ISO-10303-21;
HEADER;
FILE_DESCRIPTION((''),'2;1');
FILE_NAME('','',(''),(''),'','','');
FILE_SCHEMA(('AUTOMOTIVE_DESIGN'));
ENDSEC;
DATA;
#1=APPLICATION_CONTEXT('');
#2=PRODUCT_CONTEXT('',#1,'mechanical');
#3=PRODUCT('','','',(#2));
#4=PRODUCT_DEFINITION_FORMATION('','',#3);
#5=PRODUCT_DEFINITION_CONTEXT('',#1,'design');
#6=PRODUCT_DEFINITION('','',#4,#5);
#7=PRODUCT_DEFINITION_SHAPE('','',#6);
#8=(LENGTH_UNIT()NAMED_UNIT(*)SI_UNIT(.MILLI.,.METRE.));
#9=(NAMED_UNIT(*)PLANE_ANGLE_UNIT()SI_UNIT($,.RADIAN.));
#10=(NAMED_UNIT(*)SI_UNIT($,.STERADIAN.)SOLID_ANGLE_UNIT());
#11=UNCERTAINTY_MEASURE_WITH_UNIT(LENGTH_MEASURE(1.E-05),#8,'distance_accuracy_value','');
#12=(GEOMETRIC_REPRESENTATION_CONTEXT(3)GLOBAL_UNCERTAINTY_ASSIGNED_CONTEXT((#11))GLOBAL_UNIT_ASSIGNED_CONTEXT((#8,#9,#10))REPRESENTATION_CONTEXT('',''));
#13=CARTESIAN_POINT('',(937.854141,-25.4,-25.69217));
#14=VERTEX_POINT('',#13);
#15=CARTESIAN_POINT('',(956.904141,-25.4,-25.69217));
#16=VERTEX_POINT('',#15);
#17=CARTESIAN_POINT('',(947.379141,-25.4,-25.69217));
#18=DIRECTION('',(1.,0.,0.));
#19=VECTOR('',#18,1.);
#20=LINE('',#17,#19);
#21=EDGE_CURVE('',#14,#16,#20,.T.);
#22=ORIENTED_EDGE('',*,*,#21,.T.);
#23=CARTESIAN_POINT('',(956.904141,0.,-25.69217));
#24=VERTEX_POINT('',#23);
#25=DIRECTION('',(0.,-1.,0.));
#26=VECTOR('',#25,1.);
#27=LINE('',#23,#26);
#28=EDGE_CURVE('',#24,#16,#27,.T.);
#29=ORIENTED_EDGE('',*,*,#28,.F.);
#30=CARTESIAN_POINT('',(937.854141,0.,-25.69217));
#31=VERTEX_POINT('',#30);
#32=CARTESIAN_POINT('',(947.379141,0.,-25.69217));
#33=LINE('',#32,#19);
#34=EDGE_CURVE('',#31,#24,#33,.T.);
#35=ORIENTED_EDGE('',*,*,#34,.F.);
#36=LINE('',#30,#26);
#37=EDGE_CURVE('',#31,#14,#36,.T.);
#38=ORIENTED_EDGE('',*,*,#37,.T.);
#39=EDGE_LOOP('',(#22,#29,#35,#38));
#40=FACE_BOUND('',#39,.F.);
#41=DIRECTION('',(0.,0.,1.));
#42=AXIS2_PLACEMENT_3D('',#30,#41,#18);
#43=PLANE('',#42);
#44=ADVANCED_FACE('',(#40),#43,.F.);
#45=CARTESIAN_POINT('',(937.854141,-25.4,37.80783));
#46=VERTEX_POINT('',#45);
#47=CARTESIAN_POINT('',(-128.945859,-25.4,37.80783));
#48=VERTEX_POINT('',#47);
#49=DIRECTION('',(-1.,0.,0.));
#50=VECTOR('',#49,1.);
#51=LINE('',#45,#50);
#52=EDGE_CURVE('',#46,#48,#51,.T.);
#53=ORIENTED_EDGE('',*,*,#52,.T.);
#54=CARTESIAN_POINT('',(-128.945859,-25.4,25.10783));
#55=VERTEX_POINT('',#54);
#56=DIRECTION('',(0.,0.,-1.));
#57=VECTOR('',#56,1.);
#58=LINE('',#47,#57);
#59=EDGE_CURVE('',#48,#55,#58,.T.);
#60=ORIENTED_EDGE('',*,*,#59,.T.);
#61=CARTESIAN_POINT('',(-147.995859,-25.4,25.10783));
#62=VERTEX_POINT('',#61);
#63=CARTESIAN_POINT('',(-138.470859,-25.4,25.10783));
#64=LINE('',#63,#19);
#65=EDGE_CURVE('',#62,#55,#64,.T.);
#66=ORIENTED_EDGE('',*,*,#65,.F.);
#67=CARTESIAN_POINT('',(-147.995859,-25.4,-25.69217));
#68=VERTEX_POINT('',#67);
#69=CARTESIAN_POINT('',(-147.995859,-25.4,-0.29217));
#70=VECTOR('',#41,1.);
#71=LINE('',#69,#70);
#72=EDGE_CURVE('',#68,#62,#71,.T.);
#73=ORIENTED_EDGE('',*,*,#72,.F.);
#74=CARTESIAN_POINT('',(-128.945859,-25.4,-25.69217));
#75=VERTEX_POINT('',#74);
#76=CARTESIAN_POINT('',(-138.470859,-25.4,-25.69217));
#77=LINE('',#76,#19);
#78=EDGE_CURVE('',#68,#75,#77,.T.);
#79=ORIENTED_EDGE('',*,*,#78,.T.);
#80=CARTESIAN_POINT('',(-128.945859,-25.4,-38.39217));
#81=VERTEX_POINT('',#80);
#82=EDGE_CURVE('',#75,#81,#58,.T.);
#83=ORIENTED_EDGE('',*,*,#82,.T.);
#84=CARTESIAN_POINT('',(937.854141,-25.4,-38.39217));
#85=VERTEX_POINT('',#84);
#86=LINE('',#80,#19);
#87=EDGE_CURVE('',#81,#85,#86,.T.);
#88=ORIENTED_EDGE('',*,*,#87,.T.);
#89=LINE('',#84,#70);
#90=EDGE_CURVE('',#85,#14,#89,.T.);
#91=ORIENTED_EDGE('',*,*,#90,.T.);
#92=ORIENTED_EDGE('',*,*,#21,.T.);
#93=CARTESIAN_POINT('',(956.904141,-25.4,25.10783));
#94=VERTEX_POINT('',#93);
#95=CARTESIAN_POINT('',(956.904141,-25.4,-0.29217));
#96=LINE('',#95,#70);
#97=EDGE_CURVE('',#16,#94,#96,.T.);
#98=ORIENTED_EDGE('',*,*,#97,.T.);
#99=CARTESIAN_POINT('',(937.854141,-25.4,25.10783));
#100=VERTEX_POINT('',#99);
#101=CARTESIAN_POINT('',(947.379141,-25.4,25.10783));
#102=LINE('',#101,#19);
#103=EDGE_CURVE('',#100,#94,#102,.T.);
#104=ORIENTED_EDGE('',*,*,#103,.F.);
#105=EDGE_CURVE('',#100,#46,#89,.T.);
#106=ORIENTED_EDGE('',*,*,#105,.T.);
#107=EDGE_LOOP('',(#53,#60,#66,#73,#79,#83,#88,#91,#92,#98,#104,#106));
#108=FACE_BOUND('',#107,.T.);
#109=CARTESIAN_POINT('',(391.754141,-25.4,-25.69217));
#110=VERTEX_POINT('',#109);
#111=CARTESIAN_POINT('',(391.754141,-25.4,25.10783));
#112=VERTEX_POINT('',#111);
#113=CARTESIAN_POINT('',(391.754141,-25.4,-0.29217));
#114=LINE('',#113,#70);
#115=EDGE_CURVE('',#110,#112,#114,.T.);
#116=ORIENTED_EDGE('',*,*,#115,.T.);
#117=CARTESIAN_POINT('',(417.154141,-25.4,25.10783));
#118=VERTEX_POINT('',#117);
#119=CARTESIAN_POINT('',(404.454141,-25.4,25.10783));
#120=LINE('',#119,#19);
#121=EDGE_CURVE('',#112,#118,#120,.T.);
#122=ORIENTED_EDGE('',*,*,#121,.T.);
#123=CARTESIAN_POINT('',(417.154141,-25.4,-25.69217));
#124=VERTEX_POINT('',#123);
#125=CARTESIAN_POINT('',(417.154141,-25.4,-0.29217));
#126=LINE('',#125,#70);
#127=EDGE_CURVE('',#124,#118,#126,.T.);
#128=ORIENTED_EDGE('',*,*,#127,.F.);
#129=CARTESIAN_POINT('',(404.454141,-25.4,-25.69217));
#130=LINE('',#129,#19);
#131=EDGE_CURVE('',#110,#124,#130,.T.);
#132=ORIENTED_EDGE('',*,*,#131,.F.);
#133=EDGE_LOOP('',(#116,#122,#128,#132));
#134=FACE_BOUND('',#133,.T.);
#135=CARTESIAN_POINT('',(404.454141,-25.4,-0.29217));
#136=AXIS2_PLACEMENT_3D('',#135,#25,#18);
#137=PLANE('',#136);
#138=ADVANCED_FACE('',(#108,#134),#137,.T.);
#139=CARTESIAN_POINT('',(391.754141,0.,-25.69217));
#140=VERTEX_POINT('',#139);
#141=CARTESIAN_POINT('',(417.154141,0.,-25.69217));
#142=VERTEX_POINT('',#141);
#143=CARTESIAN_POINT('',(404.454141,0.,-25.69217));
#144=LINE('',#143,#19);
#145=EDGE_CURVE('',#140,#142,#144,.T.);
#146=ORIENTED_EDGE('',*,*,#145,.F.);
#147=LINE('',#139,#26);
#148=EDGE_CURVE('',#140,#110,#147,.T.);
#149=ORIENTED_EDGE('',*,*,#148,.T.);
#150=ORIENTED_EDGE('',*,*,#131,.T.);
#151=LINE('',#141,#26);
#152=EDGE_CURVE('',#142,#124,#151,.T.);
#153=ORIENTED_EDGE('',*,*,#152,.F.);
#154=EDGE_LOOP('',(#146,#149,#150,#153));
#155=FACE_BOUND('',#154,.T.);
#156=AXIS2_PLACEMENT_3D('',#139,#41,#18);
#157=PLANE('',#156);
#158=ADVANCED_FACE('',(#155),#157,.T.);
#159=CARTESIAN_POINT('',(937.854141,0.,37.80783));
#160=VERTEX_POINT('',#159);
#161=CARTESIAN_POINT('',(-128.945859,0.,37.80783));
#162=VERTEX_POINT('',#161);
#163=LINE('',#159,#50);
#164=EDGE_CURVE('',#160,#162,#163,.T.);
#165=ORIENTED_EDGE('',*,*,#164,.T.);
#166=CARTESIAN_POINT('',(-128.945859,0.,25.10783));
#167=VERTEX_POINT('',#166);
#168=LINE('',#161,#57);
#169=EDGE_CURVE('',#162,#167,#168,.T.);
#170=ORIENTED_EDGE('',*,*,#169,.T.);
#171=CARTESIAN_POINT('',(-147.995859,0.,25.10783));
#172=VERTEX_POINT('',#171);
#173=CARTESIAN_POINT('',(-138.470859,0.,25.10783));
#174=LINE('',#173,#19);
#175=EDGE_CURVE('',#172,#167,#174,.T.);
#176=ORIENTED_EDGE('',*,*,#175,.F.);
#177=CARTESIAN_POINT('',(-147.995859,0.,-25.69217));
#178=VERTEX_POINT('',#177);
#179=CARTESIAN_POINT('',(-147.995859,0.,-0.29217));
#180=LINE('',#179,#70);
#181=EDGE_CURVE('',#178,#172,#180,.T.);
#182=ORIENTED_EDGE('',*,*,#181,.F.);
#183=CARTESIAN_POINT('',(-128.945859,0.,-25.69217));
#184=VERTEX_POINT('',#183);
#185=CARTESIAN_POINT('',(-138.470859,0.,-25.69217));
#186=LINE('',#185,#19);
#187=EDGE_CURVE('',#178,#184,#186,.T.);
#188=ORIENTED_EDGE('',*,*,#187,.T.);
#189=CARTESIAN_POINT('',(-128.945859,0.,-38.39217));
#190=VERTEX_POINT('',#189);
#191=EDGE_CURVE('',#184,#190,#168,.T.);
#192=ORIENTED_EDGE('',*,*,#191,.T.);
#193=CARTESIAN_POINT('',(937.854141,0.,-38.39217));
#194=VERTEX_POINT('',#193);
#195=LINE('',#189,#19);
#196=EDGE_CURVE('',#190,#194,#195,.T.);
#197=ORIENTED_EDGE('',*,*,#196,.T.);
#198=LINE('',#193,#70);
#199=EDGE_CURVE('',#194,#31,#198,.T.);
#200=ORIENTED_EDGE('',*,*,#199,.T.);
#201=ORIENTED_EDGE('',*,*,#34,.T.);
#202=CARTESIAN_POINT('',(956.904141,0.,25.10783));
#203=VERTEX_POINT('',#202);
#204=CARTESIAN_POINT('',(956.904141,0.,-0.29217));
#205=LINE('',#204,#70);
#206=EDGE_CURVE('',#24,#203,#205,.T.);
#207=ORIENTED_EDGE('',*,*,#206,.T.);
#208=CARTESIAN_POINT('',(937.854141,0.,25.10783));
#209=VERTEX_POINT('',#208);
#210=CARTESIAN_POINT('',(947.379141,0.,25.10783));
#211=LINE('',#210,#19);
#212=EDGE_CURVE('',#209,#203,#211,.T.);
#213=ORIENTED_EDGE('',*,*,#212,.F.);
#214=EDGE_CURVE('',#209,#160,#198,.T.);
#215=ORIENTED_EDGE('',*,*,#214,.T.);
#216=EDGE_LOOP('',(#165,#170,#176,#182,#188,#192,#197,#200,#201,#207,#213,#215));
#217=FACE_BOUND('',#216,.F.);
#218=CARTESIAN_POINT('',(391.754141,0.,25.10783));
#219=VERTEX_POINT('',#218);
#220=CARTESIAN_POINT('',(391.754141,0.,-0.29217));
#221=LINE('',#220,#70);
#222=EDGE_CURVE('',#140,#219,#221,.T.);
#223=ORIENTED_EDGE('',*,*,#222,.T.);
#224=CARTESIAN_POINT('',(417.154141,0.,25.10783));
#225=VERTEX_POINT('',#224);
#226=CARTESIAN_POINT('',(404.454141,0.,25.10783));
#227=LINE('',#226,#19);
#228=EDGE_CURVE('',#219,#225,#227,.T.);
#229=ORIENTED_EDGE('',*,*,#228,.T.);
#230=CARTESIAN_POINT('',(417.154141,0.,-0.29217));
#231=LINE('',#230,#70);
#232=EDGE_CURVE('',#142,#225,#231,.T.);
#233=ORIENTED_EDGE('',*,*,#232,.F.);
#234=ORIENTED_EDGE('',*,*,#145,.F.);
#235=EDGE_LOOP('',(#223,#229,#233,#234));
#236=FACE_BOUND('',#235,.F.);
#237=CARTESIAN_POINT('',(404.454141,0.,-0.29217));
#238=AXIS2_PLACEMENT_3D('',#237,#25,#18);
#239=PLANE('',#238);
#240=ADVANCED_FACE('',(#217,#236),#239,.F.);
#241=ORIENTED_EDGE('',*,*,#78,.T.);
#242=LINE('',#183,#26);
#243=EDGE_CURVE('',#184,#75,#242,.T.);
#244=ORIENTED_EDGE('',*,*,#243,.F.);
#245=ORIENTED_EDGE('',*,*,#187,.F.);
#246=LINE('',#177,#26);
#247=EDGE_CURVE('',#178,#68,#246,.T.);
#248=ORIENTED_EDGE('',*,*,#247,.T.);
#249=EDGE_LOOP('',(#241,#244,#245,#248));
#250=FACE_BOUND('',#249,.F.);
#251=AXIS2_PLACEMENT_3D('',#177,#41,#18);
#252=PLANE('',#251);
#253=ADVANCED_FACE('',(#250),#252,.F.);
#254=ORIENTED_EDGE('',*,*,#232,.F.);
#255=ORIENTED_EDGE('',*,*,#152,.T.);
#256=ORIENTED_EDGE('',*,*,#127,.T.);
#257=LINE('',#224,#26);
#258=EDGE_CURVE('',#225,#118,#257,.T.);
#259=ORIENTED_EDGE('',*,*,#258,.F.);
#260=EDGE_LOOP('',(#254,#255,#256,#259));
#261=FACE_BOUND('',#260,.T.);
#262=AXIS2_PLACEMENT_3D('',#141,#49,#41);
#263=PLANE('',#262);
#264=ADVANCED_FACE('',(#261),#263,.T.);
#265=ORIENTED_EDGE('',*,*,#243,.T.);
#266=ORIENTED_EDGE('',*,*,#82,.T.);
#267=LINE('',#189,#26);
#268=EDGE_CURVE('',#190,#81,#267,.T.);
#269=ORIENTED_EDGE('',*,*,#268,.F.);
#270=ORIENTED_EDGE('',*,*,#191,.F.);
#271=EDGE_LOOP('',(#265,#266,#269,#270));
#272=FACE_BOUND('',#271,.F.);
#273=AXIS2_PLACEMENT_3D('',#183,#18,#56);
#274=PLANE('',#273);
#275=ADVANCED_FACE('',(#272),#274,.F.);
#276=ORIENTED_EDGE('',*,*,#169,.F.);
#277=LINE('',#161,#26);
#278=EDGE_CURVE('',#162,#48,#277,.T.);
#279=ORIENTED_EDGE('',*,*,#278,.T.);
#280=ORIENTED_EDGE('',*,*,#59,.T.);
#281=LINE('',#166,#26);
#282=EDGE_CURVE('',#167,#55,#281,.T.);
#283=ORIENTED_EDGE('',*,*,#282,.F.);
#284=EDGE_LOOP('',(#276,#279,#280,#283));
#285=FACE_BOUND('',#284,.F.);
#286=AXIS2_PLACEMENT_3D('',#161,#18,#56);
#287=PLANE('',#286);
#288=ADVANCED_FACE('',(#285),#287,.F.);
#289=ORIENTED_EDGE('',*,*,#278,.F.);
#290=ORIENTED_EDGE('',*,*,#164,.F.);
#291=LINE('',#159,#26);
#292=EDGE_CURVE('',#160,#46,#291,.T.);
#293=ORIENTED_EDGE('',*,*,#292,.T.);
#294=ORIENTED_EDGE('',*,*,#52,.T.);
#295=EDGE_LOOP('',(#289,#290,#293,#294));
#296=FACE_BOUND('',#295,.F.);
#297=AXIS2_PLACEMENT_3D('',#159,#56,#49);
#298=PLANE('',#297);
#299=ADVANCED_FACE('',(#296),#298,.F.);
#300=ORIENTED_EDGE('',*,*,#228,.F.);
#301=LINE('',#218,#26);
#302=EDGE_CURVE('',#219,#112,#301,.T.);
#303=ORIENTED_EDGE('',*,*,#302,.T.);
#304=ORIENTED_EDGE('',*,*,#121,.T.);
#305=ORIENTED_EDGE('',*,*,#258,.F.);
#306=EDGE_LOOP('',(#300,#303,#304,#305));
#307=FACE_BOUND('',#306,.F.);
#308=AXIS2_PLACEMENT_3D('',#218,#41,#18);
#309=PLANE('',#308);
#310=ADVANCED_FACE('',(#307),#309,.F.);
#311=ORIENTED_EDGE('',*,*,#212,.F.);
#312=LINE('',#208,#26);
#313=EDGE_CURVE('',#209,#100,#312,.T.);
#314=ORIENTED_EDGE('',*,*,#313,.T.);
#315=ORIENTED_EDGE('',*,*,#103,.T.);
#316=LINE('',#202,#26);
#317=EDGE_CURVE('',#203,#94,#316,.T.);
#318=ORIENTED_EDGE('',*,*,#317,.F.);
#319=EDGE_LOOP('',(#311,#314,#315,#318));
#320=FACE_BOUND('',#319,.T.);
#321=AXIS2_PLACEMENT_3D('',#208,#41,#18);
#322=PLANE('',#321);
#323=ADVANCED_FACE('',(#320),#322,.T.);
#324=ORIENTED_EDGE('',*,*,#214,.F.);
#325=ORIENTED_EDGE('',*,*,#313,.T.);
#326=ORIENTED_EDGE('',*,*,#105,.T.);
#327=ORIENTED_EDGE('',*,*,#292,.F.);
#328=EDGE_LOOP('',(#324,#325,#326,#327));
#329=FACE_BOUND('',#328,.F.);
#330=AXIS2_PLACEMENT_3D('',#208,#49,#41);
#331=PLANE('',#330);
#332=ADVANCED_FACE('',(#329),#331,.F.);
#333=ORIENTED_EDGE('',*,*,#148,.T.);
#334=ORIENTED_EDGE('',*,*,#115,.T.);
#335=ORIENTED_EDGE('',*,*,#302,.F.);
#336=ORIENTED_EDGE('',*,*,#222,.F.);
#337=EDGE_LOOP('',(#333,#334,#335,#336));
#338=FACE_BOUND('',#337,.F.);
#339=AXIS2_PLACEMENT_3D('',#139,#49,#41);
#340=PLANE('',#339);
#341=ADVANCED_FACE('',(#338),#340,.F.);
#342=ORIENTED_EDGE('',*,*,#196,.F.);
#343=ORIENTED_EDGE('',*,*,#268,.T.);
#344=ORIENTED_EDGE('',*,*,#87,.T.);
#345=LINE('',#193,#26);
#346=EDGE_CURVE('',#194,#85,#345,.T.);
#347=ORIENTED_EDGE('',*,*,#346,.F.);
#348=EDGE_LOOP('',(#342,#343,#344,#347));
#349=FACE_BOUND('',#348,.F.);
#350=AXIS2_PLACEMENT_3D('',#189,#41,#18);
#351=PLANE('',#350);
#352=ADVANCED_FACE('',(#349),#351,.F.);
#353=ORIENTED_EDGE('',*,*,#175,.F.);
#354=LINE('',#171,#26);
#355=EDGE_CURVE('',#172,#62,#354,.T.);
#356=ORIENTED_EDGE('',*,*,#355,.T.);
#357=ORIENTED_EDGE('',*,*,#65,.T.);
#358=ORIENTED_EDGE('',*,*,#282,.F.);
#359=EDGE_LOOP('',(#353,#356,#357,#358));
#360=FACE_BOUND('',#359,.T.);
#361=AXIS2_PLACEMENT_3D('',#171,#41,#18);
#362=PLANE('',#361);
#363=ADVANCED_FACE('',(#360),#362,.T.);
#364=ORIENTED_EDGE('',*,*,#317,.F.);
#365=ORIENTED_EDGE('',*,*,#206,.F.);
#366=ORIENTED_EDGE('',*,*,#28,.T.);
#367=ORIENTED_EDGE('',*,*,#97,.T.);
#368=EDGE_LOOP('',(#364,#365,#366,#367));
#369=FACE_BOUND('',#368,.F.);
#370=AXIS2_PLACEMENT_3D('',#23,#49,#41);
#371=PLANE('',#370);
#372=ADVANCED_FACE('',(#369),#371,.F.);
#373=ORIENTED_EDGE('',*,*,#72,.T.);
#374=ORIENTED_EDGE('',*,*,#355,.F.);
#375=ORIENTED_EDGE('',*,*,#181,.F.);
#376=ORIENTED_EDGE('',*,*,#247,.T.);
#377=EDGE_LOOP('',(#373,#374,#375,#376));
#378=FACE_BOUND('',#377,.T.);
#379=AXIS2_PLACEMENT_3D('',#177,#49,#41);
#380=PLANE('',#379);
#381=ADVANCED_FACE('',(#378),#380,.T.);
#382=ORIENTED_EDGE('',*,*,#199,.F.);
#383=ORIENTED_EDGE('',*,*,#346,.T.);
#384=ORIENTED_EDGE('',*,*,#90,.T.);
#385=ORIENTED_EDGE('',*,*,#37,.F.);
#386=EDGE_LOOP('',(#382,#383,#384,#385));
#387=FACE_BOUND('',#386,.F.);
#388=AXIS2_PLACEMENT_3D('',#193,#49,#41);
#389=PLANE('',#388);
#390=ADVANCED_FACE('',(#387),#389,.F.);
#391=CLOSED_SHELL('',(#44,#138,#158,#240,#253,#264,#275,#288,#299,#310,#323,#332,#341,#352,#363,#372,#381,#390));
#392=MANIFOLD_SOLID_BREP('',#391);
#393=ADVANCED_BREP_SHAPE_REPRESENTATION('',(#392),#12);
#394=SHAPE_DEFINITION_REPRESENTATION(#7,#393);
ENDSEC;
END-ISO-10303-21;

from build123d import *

# Parameters (mm, degrees)
F0_W     = 25.4
F0_H     = 50.8
F0_W_2   = 19.05
F1_DEPTH = 25.4


with BuildPart() as f1:
    # F0 (on Front) → F1 (new body)
    with BuildSketch(Plane.XZ):
        Polygon((937.854141, 37.80783), (-128.945859, 37.80783), (-128.945859, 25.10783), (-128.945859, -25.69217), (-128.945859, -38.39217), (937.854141, -38.39217), (937.854141, -25.69217), (937.854141, 25.10783), align=None)
        with Locations((404.454141, -0.29217)):
            Rectangle(F0_W, F0_H, mode=Mode.SUBTRACT)
        with Locations((-138.470859, -0.29217)):
            Rectangle(F0_W_2, F0_H)
        with Locations((947.379141, -0.29217)):
            Rectangle(F0_W_2, F0_H)
    extrude(amount=F1_DEPTH)


solid = f1.part
